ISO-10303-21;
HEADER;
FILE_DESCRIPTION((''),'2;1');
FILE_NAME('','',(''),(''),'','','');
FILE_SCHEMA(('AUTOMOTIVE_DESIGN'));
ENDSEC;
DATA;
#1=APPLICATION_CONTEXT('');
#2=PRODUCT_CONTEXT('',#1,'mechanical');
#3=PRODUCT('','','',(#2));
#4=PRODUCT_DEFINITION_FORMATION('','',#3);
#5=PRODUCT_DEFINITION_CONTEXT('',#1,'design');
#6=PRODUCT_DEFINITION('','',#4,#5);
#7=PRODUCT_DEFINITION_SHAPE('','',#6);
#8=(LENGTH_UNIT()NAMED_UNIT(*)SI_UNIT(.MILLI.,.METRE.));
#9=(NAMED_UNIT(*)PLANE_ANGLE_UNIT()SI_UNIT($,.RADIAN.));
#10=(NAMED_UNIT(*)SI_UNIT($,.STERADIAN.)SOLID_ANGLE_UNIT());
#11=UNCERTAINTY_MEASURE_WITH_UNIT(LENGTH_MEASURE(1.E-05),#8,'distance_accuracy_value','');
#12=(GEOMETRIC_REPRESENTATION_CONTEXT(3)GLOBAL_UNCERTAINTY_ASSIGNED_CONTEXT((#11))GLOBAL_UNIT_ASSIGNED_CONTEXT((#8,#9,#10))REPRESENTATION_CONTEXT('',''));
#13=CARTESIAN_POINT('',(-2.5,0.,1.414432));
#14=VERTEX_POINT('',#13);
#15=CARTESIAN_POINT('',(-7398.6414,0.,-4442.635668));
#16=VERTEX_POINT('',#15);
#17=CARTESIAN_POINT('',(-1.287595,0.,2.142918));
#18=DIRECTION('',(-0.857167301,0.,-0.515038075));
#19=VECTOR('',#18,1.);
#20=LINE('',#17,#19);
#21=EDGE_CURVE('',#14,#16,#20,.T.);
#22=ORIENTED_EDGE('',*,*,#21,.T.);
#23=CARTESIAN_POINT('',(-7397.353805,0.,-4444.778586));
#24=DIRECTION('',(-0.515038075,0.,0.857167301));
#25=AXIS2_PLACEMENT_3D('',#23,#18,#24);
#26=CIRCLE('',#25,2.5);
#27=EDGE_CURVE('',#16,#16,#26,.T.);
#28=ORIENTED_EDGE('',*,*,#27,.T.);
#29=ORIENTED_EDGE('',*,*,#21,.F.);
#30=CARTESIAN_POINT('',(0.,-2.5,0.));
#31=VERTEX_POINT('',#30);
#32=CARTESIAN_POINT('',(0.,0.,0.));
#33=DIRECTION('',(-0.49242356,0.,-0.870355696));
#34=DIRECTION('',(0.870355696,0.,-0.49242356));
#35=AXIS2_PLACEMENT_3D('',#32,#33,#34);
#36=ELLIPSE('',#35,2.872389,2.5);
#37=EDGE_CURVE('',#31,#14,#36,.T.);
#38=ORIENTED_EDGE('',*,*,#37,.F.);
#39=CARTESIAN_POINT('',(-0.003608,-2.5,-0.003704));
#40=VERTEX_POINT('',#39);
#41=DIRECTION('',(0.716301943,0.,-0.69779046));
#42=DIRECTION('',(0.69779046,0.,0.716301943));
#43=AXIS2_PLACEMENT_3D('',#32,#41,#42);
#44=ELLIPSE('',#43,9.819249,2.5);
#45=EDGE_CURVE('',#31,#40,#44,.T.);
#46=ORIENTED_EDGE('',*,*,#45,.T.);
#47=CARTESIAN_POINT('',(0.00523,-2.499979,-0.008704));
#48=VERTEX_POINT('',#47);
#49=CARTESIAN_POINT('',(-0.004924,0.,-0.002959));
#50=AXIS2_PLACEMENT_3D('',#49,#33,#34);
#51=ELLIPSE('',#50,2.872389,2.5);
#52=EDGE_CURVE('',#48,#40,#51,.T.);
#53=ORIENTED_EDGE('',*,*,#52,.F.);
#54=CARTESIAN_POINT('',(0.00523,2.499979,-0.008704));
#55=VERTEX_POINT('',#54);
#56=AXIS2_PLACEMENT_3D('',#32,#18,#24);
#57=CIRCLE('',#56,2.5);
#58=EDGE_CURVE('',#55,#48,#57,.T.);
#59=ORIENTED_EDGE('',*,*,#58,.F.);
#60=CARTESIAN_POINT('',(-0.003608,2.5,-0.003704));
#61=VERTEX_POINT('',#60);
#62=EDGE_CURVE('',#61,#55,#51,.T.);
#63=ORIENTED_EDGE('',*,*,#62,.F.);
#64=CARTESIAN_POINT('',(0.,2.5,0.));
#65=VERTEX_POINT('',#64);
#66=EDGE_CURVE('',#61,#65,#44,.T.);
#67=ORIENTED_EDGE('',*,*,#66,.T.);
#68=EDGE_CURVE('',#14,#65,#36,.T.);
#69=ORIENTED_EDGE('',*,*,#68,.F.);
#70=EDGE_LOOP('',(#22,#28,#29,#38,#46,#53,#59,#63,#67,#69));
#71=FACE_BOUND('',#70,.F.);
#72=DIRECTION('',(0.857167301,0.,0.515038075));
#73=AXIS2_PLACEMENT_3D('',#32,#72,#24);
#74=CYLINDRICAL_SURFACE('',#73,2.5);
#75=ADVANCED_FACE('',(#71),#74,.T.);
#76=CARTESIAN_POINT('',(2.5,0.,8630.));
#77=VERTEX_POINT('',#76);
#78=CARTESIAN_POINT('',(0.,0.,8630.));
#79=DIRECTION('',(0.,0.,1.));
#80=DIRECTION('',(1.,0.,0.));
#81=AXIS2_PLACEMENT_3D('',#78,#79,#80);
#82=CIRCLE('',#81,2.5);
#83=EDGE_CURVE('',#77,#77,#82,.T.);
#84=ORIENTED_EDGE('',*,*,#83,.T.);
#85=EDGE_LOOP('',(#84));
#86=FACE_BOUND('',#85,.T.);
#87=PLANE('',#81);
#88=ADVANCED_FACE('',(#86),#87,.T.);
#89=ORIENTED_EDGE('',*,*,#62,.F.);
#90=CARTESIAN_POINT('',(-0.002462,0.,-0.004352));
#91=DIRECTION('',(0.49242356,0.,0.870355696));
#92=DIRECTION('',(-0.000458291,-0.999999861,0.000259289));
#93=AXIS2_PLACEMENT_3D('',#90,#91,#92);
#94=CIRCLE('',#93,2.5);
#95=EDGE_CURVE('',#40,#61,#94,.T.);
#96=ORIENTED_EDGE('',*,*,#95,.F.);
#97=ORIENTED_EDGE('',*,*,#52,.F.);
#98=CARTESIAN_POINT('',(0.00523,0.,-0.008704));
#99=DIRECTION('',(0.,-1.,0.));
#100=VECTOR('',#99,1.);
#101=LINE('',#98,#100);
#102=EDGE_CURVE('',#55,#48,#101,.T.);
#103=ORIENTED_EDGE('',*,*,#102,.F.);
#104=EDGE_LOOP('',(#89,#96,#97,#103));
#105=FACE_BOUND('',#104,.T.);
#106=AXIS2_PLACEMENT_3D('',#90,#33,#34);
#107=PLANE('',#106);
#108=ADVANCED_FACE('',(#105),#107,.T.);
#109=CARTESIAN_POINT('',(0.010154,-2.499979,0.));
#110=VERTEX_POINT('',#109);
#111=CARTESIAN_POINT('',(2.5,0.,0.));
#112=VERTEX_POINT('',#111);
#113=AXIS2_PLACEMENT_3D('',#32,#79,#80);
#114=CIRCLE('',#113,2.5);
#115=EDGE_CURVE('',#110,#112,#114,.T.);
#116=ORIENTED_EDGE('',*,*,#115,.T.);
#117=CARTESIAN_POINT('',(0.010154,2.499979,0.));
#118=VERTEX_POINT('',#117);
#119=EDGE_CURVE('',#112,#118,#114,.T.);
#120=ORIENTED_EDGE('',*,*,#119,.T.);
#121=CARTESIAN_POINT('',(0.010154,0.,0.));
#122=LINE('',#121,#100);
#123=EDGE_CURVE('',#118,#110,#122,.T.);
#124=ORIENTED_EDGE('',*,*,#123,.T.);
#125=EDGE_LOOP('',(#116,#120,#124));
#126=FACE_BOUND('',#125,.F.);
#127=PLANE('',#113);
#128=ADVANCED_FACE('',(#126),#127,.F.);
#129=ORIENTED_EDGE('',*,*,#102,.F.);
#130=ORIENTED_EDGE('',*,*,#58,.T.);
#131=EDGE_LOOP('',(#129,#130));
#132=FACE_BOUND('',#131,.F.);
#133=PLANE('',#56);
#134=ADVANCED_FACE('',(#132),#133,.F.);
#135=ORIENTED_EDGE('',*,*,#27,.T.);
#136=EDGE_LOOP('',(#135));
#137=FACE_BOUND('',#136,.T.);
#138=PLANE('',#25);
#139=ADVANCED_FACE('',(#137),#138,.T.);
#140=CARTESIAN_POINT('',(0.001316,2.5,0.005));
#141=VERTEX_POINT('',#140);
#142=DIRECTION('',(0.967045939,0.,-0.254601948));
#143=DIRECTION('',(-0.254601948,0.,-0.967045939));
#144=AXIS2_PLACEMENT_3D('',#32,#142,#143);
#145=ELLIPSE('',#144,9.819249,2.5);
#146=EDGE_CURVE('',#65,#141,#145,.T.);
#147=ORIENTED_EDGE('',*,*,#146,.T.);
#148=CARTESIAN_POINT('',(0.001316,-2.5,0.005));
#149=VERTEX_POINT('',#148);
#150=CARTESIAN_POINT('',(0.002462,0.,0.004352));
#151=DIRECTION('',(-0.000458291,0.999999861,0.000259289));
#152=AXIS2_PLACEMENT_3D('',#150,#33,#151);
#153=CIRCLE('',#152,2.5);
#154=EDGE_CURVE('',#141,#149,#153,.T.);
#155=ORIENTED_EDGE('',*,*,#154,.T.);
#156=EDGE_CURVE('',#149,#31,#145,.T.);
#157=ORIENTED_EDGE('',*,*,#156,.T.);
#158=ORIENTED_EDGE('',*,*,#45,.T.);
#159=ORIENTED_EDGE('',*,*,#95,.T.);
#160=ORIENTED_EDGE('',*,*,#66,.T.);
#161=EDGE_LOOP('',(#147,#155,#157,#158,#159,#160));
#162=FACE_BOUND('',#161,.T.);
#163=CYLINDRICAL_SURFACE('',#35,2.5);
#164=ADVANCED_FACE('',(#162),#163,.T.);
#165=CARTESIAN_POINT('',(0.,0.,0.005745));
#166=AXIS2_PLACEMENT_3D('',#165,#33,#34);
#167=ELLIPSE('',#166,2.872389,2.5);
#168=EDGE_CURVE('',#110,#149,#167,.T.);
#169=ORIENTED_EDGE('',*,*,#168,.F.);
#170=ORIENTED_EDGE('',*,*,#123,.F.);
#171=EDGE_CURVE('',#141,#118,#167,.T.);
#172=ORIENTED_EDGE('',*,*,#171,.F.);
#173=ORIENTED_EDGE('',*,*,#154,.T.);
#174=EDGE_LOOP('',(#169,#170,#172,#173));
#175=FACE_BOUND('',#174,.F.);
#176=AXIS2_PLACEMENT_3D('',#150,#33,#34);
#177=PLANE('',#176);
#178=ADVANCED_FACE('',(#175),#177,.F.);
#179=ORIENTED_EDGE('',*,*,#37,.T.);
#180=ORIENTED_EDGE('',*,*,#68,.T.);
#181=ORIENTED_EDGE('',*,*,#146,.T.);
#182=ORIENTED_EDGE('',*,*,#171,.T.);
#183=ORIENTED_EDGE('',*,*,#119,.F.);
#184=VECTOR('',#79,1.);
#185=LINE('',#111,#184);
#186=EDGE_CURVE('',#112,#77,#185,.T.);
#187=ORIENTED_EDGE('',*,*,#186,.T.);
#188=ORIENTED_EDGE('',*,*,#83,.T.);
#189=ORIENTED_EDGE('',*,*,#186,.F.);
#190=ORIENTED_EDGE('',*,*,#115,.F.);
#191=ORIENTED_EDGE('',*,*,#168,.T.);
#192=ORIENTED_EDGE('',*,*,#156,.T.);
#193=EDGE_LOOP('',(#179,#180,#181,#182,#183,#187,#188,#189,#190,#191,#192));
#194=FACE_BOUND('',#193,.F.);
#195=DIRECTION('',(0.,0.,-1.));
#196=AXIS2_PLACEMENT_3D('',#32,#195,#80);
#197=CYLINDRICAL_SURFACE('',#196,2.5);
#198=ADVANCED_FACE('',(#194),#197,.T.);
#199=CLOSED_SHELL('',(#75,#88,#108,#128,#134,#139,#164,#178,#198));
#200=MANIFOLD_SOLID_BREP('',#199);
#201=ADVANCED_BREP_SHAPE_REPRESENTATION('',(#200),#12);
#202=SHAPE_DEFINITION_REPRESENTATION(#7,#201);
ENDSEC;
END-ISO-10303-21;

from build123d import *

# Parameters (mm, degrees)
F0_R     = 2.5
F1_DEPTH = 8630
F3_ANGLE = 121
F6_R     = 2.5
F7_DEPTH = 0.005


with BuildPart() as f1:
    # F0 (on Top) → F1 (new body)
    with BuildSketch(Plane.XY):
        Circle(F0_R)
    extrude(amount=F1_DEPTH)


with BuildPart() as f3_1:
    # F3: copy of F1
    add(f1.part.rotate(Axis((0, -7.9439654946, 0), (0, -1, 0)), F3_ANGLE))


with BuildPart() as f1_1:
    add(f1.part)

    add(f3_1.part)  # F7 merges F3_1
    # F6 (on line) → F7 (join, symmetric)
    with BuildSketch(Plane(origin=(0, 0, 0), x_dir=(0.8703556959, 0, -0.4924235601), z_dir=(-0.4924235601, 0, -0.8703556959))):
        Circle(F6_R)
    extrude(amount=F7_DEPTH, both=True)


solid = f1_1.part
